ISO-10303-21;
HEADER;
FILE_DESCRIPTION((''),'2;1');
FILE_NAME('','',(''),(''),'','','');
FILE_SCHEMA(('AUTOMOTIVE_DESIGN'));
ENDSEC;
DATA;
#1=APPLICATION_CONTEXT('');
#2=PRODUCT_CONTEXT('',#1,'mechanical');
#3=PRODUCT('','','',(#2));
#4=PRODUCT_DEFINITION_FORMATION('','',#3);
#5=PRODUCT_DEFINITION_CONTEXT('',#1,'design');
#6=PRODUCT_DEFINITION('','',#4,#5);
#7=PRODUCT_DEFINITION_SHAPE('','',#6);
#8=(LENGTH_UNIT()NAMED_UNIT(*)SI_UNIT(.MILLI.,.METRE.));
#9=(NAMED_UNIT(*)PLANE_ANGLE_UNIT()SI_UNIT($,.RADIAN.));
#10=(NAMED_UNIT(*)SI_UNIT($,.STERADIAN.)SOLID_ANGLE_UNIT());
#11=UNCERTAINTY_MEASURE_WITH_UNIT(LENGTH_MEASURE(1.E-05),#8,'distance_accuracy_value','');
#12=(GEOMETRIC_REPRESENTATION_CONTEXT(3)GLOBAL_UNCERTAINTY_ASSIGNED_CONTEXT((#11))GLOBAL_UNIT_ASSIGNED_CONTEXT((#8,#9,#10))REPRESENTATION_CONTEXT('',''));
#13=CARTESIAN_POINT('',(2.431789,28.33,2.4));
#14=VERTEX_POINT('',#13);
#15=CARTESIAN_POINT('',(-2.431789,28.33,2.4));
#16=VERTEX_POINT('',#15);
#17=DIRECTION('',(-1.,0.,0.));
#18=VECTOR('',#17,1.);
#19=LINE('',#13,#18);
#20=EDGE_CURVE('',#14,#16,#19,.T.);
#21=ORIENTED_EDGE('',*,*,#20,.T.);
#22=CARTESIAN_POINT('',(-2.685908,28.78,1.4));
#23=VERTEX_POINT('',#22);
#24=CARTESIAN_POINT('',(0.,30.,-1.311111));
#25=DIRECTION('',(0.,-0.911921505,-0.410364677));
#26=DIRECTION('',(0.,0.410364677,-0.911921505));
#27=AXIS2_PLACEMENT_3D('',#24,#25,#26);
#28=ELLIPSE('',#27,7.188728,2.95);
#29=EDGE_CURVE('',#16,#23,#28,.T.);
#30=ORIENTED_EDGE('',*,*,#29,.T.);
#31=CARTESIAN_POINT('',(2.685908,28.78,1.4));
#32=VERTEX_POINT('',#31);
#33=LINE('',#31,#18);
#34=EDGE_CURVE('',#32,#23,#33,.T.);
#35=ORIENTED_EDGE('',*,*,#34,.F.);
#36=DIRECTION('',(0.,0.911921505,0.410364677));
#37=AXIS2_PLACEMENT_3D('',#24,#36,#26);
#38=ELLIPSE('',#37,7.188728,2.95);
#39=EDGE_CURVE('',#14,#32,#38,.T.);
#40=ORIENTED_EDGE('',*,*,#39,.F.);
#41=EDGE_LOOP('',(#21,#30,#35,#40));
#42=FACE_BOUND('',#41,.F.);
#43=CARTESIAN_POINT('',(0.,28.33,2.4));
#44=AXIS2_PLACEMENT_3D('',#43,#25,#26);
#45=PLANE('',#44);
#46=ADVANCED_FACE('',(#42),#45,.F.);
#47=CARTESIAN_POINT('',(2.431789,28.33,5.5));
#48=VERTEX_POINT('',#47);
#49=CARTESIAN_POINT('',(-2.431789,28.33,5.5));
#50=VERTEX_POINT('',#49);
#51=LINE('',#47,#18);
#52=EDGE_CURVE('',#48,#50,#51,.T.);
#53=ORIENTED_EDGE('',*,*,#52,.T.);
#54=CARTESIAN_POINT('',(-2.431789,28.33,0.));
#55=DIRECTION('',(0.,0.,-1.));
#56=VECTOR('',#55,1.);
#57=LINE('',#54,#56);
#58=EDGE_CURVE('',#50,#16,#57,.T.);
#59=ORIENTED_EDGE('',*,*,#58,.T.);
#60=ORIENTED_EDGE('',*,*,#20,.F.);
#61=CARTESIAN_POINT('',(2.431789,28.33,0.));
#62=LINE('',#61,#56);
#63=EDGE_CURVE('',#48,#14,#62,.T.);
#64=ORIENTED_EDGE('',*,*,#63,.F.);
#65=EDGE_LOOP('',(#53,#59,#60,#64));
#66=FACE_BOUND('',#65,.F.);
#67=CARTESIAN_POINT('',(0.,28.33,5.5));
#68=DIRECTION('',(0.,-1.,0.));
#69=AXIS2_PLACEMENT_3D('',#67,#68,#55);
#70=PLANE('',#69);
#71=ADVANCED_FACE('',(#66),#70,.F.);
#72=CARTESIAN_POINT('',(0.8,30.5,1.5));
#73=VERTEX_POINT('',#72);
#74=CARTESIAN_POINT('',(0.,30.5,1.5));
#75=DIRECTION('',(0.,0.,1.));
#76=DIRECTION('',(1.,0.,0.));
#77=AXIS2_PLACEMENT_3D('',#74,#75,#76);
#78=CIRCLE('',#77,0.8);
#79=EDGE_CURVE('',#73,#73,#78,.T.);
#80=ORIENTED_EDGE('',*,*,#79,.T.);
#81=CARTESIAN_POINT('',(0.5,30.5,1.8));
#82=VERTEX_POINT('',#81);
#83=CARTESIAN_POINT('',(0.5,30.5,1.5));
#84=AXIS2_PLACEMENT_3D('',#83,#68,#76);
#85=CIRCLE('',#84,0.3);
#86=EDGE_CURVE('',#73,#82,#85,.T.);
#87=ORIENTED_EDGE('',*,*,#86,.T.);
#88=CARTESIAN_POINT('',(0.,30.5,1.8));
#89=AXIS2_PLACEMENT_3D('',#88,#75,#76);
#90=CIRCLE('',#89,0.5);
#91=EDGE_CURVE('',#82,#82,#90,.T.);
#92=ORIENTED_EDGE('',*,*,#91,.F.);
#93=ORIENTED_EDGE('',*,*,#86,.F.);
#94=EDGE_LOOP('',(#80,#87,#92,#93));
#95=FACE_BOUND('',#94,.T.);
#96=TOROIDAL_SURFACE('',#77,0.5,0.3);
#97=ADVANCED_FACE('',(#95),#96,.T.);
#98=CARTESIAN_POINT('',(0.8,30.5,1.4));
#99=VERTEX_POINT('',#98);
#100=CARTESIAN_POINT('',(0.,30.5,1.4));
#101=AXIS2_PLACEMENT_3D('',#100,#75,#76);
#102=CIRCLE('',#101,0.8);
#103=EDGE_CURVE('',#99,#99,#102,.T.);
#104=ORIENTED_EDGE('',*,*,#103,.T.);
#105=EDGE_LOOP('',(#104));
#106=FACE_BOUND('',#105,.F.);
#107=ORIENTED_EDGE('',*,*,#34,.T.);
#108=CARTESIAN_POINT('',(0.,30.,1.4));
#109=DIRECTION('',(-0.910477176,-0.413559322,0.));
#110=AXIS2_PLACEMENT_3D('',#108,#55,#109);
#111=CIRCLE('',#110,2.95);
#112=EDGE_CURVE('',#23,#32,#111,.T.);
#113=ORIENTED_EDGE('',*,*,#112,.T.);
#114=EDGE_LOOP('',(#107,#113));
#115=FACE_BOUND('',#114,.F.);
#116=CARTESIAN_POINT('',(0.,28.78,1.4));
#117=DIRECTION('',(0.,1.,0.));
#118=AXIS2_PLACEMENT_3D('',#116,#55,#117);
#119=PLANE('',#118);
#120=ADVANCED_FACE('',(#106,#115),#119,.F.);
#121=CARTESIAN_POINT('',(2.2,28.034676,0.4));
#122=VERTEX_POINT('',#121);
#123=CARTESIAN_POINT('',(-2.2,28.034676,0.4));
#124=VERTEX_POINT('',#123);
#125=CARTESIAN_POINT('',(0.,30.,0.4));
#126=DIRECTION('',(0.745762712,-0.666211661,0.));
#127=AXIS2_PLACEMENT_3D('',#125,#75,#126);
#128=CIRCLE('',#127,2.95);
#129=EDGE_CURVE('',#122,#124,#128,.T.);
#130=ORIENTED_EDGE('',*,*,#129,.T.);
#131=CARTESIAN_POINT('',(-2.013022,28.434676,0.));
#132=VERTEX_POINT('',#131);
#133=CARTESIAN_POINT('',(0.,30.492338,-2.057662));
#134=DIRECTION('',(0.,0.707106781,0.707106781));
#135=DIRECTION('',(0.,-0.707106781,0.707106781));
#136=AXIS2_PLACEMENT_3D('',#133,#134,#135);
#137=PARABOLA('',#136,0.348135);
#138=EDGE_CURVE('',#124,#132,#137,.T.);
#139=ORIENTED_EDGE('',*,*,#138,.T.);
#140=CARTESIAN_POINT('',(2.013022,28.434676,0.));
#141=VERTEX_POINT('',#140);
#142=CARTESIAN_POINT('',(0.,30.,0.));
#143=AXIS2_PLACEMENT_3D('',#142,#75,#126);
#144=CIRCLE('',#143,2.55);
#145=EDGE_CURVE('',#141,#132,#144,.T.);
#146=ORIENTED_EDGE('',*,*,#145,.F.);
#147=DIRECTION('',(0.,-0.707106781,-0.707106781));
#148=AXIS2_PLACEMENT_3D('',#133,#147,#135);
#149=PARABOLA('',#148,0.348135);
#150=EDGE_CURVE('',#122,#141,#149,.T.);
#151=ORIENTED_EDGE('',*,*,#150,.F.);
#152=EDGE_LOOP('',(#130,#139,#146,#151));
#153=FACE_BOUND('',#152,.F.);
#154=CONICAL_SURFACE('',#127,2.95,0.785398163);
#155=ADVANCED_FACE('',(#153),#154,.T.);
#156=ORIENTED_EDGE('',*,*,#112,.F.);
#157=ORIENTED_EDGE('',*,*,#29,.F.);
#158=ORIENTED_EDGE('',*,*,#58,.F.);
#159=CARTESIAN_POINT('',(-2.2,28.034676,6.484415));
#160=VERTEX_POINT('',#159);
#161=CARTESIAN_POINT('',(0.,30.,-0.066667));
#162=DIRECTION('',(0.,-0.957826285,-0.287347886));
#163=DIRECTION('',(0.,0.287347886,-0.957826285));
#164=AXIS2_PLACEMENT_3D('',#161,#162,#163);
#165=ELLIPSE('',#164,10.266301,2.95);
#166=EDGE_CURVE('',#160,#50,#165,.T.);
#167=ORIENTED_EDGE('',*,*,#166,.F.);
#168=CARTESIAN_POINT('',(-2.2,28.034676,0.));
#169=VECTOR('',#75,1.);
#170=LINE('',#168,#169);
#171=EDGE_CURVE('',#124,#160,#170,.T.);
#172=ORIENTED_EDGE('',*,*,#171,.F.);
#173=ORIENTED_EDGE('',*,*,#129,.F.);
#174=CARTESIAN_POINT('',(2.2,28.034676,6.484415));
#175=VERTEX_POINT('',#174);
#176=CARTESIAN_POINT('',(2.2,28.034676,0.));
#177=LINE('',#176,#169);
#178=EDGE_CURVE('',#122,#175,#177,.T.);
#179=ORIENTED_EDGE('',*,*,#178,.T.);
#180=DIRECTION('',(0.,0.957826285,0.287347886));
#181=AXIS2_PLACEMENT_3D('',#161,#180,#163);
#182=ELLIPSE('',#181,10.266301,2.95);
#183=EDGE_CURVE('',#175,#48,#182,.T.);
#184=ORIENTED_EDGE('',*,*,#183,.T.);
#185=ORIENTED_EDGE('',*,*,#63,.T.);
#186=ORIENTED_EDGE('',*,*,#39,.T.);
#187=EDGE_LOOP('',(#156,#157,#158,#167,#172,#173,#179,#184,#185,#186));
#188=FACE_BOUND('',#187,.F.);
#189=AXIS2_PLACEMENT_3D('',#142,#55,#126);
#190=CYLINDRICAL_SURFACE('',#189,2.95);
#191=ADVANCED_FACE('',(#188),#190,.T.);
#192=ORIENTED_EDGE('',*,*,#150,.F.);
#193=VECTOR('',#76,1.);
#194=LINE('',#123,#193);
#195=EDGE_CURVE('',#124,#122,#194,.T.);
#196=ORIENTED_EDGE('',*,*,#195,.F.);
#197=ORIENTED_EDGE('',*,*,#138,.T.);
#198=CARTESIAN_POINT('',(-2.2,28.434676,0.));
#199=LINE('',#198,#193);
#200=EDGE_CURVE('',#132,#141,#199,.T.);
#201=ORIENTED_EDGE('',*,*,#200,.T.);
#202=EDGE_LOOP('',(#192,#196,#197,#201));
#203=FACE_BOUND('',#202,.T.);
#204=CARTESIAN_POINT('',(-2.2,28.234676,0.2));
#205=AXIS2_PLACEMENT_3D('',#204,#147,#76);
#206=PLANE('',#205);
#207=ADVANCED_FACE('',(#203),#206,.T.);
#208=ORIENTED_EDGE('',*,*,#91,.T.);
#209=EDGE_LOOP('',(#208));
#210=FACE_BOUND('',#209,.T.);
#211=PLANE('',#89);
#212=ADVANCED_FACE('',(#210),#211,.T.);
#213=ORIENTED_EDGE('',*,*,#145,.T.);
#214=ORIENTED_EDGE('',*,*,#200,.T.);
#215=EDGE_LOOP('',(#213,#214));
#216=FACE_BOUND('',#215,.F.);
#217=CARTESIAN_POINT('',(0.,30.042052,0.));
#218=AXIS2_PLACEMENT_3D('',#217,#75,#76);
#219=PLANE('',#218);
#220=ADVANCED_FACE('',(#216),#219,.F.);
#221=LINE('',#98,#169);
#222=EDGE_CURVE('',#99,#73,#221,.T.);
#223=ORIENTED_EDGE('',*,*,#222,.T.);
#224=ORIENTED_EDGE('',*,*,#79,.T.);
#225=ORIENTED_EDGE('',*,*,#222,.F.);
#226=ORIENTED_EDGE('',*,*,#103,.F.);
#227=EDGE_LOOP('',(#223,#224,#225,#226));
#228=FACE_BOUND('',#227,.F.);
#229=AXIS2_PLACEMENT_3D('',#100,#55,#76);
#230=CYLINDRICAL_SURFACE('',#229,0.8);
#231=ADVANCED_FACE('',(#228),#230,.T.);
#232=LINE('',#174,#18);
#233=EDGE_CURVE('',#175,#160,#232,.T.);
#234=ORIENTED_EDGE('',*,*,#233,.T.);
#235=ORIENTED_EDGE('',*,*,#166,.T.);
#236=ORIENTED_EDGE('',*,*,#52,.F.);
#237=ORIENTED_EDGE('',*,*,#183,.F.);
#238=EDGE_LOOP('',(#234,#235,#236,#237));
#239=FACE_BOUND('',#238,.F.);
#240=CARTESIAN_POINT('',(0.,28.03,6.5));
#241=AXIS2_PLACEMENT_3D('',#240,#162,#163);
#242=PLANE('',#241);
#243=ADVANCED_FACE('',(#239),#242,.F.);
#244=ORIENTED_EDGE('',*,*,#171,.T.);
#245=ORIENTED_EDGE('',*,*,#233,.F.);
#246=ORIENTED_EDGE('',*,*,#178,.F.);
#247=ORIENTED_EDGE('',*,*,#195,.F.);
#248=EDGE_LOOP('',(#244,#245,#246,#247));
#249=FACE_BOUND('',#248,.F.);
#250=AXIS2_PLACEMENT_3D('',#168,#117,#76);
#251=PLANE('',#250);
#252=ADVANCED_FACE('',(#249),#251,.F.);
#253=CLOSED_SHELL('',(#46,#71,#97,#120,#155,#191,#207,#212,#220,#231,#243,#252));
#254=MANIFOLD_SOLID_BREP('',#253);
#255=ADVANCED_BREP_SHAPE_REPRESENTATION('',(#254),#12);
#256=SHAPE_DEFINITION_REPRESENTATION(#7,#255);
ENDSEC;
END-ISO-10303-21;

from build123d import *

# Parameters (mm, degrees)
PAD008_DEPTH         = 6.5
POCKET007_DEPTH      = 2.951
POCKET007_DEPTH_BACK = 2.951
SKETCH023_R          = 0.8
PAD009_DEPTH         = 0.4
FILLET001_R          = 0.3
CHAMFER007_SIZE      = 0.4


with BuildPart() as part:
    # Sketch022 → Pad008 (new body)
    with BuildSketch(Plane.XY):
        with BuildLine():
            ThreePointArc((2.2, -1.9653244007), (0, 2.95), (-2.2, -1.9653244007))
            Line((-2.2, -1.9653244007), (2.2, -1.9653244007))
        make_face()
    extrude(amount=PAD008_DEPTH)

    # Sketch024 → Pocket007 (cut, two sides)
    with BuildSketch(Plane.YZ) as pocket007_sk:
        Polygon((-1.97, 6.5), (-1.67, 5.5), (-1.67, 2.4), (-1.22, 1.4), (4, 1.4), (4, 6.5), align=None)
    extrude(amount=-POCKET007_DEPTH, mode=Mode.SUBTRACT)
    extrude(pocket007_sk.sketch, amount=POCKET007_DEPTH_BACK, mode=Mode.SUBTRACT)

    # Sketch023 (on Face7 of Pocket007) → Pad009 (join)
    with BuildSketch(Plane.XY.offset(1.4)):
        with Locations((0, 0.5)):
            Circle(SKETCH023_R)
    extrude(amount=PAD009_DEPTH)

    # Fillet001
    fillet001_edges = [part.edges().sort_by_distance(p)[0] for p in [
        (-0.8, 0.5, 1.8),
    ]]
    fillet(fillet001_edges, radius=FILLET001_R)

    # Chamfer007
    chamfer007_edges = [part.edges().sort_by_distance(p)[0] for p in [
        (0, 2.95, 0),
        (0, -1.965324, 0),
    ]]
    chamfer(chamfer007_edges, length=CHAMFER007_SIZE)


with BuildPart() as part_1:
    # Body085 placement: moved
    add(part.part.moved(Location((0, 30, 0))))


solid = part_1.part
